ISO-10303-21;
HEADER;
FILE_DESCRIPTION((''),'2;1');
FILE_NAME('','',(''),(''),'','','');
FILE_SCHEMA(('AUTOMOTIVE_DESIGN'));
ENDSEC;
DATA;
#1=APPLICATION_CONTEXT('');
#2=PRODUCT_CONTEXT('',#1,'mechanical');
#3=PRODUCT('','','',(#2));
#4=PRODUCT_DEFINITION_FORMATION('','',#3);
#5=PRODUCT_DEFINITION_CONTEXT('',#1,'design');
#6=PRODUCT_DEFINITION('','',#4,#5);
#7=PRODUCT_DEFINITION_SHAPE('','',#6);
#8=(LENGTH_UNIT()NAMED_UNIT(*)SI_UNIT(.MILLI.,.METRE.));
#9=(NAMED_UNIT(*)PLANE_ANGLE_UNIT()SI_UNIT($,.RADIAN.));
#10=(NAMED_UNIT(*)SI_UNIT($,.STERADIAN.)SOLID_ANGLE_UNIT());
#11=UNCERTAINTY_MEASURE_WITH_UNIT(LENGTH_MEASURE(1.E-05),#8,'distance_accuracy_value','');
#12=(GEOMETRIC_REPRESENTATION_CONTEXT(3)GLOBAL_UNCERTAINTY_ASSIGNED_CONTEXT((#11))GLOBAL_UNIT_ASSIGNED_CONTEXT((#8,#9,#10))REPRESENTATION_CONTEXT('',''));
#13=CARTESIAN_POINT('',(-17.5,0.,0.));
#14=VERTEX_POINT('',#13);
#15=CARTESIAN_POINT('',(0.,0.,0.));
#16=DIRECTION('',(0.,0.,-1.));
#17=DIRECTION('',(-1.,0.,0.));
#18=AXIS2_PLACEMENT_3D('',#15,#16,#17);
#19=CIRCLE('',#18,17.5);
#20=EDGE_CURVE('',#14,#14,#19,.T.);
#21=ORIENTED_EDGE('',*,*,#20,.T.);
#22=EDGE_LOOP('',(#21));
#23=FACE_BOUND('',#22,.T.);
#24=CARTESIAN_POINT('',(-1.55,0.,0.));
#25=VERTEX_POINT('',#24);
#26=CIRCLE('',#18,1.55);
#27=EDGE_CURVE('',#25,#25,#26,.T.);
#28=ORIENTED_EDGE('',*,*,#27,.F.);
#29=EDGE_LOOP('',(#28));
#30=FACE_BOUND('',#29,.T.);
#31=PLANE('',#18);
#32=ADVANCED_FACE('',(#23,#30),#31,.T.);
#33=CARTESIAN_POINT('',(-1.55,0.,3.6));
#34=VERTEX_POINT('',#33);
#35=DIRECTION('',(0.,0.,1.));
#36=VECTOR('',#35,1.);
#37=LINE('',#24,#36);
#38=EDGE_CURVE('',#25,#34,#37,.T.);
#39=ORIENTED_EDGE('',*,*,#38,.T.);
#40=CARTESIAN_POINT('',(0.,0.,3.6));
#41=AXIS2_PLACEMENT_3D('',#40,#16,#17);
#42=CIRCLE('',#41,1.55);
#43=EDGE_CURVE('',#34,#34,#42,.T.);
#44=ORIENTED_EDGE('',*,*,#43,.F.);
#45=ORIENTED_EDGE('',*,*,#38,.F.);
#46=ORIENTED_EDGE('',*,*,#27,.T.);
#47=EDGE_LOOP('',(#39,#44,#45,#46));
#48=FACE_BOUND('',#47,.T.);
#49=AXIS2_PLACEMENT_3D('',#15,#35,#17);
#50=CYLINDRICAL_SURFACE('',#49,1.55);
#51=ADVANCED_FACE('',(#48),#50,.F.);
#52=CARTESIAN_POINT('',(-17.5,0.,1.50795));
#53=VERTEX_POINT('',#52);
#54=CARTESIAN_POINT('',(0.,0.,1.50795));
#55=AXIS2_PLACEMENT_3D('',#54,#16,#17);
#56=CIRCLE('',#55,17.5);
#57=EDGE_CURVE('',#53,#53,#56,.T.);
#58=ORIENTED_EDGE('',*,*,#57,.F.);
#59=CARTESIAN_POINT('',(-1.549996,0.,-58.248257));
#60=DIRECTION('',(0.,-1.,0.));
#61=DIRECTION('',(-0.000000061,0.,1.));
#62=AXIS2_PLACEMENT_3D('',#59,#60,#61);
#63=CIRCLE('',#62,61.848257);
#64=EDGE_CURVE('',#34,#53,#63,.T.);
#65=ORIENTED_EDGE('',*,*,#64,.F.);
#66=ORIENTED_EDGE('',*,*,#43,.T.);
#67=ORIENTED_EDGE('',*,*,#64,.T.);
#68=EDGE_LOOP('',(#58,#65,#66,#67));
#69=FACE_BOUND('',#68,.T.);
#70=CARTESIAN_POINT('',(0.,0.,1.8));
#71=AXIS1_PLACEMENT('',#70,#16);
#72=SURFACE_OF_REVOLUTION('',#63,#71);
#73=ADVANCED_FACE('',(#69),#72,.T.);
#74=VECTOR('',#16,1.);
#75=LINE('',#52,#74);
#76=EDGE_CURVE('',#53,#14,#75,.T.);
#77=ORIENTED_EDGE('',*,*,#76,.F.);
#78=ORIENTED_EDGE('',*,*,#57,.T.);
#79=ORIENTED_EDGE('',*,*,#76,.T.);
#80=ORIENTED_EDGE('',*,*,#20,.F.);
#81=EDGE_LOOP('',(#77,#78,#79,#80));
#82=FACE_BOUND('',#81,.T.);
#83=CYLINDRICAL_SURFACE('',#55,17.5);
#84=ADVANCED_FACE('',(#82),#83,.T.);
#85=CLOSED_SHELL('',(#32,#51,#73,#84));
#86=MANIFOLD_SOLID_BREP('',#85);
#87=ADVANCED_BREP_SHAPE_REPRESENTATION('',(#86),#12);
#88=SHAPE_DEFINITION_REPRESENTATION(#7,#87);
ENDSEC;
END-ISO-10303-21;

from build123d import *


with BuildPart() as f1:
    # F0 (on Front) → F1 (revolve)
    with BuildSketch(Plane.XZ):
        with BuildLine():
            Line((-1.55, 0), (-1.55, 3.6))
            ThreePointArc((-1.55, 3.6), (-9.593307, 3.074757), (-17.5, 1.50795))
            Line((-17.5, 1.50795), (-17.5, 0))
            Line((-17.5, 0), (-1.55, 0))
        make_face()
    revolve(axis=Axis((0, 0, 1.8), (0, 0, -1)))


solid = f1.part
